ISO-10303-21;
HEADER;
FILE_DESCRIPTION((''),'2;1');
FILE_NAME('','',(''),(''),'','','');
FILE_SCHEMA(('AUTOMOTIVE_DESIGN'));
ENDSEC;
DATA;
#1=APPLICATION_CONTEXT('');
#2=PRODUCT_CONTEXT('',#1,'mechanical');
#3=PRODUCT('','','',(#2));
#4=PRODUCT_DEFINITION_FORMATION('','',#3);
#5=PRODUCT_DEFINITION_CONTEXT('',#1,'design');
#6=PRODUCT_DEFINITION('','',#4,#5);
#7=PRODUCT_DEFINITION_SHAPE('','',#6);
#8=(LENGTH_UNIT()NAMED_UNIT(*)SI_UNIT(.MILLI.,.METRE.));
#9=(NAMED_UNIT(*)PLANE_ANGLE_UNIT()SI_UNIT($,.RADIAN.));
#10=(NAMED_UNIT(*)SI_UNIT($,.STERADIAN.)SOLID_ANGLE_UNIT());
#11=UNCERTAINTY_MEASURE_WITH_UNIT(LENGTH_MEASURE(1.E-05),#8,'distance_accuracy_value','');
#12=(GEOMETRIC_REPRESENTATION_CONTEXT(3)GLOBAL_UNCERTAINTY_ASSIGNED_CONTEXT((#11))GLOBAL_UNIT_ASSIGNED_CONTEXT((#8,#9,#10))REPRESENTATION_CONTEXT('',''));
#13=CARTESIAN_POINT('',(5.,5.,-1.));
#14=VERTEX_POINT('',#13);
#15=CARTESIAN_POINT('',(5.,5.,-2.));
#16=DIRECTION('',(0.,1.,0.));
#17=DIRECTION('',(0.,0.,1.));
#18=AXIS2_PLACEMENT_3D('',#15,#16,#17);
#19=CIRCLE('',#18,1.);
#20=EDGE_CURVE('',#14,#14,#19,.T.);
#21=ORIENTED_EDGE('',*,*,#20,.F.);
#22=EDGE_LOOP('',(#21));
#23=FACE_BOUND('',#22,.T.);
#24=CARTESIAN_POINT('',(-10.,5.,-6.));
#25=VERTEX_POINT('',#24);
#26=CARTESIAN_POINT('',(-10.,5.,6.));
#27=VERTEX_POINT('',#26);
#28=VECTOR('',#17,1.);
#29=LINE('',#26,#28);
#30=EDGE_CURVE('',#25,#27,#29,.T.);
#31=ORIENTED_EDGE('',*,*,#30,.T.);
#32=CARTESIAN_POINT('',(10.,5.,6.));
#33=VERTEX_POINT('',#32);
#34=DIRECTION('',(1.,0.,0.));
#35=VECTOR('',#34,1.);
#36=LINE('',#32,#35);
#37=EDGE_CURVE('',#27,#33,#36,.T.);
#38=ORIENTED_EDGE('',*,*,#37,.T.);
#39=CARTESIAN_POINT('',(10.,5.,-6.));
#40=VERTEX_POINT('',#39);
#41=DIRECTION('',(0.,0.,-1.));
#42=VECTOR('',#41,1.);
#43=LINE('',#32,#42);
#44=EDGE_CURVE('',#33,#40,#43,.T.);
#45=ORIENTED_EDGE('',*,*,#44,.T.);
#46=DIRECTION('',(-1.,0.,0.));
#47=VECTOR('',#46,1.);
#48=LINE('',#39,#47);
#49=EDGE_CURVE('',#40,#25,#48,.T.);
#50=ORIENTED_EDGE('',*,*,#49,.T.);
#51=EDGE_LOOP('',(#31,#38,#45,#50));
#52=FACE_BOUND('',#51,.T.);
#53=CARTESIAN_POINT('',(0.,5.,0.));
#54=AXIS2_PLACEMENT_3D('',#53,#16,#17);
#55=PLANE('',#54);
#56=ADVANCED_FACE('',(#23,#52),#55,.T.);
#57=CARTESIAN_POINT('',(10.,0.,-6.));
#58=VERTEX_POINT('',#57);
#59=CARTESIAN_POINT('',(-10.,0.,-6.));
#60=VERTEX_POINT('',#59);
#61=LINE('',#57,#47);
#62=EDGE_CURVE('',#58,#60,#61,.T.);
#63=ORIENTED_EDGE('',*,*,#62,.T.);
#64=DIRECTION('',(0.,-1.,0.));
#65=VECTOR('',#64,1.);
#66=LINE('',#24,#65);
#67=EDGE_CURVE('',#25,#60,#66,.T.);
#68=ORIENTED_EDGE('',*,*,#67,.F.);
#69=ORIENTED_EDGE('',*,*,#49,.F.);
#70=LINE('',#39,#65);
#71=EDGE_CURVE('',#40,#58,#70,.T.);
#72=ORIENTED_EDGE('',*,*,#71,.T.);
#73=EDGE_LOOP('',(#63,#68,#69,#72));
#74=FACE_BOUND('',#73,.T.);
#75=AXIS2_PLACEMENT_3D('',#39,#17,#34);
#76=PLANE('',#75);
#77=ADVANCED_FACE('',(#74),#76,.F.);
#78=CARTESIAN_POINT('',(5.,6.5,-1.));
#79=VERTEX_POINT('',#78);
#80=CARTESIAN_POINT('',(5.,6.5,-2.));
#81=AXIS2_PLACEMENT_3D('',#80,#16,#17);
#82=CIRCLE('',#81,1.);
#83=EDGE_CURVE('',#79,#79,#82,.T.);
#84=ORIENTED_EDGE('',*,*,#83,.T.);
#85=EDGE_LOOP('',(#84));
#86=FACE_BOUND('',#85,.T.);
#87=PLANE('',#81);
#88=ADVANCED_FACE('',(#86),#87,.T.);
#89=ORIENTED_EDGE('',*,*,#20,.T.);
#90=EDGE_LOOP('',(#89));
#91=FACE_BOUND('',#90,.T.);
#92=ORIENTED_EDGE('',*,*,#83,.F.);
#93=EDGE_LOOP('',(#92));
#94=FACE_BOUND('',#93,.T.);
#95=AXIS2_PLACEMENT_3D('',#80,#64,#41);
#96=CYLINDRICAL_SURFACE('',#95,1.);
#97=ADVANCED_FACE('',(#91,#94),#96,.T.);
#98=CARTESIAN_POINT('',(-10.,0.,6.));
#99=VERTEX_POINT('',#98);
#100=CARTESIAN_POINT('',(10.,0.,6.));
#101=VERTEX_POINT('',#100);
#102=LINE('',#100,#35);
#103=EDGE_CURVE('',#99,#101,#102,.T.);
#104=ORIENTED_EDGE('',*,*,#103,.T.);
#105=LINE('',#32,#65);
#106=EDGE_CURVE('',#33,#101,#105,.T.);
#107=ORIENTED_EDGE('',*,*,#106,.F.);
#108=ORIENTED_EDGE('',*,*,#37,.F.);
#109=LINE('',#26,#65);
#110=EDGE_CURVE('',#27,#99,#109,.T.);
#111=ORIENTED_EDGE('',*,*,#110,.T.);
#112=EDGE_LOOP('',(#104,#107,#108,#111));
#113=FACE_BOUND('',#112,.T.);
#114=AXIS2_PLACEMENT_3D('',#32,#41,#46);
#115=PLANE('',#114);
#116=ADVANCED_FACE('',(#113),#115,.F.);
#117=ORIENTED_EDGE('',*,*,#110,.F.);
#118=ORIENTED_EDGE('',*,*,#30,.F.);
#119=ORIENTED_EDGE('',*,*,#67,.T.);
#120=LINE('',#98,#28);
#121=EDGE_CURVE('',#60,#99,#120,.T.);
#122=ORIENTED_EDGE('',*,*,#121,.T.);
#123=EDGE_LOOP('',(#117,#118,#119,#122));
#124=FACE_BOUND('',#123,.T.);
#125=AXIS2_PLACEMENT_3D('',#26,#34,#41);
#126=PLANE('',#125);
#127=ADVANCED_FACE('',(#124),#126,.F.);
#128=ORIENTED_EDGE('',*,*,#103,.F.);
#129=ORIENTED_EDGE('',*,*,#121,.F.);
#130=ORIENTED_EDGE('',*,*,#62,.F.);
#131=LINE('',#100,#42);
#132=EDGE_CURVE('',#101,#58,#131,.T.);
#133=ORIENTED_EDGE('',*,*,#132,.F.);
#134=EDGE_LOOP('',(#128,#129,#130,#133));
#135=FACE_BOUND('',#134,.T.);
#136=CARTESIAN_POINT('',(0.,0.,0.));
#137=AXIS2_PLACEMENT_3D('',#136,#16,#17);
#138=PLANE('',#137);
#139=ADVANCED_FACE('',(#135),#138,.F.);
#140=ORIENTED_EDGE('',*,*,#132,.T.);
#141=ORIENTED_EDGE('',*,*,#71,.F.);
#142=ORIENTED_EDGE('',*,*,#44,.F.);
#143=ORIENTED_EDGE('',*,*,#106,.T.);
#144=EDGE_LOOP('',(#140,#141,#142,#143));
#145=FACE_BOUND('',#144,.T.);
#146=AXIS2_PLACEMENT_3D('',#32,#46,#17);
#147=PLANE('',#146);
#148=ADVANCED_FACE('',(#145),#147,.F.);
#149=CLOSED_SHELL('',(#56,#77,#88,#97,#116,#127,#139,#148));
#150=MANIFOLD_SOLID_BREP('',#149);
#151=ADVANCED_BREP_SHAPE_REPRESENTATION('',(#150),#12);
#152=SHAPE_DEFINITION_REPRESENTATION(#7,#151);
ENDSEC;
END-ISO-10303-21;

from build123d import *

# Parameters (mm, degrees)
SKETCH1_W           = 20
SKETCH1_H           = 12
BOSS_EXTRUDE1_DEPTH = 5
SKETCH2_R           = 1
BOSS_EXTRUDE2_DEPTH = 1.5


with BuildPart() as part:
    # Sketch1 → Boss-Extrude1 (new body)
    with BuildSketch(Plane(origin=(0, 0, 0), x_dir=(1, 0, 0), z_dir=(0, 1, 0))):
        Rectangle(SKETCH1_W, SKETCH1_H)
    extrude(amount=BOSS_EXTRUDE1_DEPTH)

    # Sketch2 → Boss-Extrude2 (add)
    with BuildSketch(Plane(origin=(0, 5, 0), x_dir=(1, 0, 0), z_dir=(0, 1, 0))):
        with Locations(Location((5, 2, 0), (0, 0, 270))):
            Circle(SKETCH2_R)
    extrude(amount=BOSS_EXTRUDE2_DEPTH)


solid = part.part
